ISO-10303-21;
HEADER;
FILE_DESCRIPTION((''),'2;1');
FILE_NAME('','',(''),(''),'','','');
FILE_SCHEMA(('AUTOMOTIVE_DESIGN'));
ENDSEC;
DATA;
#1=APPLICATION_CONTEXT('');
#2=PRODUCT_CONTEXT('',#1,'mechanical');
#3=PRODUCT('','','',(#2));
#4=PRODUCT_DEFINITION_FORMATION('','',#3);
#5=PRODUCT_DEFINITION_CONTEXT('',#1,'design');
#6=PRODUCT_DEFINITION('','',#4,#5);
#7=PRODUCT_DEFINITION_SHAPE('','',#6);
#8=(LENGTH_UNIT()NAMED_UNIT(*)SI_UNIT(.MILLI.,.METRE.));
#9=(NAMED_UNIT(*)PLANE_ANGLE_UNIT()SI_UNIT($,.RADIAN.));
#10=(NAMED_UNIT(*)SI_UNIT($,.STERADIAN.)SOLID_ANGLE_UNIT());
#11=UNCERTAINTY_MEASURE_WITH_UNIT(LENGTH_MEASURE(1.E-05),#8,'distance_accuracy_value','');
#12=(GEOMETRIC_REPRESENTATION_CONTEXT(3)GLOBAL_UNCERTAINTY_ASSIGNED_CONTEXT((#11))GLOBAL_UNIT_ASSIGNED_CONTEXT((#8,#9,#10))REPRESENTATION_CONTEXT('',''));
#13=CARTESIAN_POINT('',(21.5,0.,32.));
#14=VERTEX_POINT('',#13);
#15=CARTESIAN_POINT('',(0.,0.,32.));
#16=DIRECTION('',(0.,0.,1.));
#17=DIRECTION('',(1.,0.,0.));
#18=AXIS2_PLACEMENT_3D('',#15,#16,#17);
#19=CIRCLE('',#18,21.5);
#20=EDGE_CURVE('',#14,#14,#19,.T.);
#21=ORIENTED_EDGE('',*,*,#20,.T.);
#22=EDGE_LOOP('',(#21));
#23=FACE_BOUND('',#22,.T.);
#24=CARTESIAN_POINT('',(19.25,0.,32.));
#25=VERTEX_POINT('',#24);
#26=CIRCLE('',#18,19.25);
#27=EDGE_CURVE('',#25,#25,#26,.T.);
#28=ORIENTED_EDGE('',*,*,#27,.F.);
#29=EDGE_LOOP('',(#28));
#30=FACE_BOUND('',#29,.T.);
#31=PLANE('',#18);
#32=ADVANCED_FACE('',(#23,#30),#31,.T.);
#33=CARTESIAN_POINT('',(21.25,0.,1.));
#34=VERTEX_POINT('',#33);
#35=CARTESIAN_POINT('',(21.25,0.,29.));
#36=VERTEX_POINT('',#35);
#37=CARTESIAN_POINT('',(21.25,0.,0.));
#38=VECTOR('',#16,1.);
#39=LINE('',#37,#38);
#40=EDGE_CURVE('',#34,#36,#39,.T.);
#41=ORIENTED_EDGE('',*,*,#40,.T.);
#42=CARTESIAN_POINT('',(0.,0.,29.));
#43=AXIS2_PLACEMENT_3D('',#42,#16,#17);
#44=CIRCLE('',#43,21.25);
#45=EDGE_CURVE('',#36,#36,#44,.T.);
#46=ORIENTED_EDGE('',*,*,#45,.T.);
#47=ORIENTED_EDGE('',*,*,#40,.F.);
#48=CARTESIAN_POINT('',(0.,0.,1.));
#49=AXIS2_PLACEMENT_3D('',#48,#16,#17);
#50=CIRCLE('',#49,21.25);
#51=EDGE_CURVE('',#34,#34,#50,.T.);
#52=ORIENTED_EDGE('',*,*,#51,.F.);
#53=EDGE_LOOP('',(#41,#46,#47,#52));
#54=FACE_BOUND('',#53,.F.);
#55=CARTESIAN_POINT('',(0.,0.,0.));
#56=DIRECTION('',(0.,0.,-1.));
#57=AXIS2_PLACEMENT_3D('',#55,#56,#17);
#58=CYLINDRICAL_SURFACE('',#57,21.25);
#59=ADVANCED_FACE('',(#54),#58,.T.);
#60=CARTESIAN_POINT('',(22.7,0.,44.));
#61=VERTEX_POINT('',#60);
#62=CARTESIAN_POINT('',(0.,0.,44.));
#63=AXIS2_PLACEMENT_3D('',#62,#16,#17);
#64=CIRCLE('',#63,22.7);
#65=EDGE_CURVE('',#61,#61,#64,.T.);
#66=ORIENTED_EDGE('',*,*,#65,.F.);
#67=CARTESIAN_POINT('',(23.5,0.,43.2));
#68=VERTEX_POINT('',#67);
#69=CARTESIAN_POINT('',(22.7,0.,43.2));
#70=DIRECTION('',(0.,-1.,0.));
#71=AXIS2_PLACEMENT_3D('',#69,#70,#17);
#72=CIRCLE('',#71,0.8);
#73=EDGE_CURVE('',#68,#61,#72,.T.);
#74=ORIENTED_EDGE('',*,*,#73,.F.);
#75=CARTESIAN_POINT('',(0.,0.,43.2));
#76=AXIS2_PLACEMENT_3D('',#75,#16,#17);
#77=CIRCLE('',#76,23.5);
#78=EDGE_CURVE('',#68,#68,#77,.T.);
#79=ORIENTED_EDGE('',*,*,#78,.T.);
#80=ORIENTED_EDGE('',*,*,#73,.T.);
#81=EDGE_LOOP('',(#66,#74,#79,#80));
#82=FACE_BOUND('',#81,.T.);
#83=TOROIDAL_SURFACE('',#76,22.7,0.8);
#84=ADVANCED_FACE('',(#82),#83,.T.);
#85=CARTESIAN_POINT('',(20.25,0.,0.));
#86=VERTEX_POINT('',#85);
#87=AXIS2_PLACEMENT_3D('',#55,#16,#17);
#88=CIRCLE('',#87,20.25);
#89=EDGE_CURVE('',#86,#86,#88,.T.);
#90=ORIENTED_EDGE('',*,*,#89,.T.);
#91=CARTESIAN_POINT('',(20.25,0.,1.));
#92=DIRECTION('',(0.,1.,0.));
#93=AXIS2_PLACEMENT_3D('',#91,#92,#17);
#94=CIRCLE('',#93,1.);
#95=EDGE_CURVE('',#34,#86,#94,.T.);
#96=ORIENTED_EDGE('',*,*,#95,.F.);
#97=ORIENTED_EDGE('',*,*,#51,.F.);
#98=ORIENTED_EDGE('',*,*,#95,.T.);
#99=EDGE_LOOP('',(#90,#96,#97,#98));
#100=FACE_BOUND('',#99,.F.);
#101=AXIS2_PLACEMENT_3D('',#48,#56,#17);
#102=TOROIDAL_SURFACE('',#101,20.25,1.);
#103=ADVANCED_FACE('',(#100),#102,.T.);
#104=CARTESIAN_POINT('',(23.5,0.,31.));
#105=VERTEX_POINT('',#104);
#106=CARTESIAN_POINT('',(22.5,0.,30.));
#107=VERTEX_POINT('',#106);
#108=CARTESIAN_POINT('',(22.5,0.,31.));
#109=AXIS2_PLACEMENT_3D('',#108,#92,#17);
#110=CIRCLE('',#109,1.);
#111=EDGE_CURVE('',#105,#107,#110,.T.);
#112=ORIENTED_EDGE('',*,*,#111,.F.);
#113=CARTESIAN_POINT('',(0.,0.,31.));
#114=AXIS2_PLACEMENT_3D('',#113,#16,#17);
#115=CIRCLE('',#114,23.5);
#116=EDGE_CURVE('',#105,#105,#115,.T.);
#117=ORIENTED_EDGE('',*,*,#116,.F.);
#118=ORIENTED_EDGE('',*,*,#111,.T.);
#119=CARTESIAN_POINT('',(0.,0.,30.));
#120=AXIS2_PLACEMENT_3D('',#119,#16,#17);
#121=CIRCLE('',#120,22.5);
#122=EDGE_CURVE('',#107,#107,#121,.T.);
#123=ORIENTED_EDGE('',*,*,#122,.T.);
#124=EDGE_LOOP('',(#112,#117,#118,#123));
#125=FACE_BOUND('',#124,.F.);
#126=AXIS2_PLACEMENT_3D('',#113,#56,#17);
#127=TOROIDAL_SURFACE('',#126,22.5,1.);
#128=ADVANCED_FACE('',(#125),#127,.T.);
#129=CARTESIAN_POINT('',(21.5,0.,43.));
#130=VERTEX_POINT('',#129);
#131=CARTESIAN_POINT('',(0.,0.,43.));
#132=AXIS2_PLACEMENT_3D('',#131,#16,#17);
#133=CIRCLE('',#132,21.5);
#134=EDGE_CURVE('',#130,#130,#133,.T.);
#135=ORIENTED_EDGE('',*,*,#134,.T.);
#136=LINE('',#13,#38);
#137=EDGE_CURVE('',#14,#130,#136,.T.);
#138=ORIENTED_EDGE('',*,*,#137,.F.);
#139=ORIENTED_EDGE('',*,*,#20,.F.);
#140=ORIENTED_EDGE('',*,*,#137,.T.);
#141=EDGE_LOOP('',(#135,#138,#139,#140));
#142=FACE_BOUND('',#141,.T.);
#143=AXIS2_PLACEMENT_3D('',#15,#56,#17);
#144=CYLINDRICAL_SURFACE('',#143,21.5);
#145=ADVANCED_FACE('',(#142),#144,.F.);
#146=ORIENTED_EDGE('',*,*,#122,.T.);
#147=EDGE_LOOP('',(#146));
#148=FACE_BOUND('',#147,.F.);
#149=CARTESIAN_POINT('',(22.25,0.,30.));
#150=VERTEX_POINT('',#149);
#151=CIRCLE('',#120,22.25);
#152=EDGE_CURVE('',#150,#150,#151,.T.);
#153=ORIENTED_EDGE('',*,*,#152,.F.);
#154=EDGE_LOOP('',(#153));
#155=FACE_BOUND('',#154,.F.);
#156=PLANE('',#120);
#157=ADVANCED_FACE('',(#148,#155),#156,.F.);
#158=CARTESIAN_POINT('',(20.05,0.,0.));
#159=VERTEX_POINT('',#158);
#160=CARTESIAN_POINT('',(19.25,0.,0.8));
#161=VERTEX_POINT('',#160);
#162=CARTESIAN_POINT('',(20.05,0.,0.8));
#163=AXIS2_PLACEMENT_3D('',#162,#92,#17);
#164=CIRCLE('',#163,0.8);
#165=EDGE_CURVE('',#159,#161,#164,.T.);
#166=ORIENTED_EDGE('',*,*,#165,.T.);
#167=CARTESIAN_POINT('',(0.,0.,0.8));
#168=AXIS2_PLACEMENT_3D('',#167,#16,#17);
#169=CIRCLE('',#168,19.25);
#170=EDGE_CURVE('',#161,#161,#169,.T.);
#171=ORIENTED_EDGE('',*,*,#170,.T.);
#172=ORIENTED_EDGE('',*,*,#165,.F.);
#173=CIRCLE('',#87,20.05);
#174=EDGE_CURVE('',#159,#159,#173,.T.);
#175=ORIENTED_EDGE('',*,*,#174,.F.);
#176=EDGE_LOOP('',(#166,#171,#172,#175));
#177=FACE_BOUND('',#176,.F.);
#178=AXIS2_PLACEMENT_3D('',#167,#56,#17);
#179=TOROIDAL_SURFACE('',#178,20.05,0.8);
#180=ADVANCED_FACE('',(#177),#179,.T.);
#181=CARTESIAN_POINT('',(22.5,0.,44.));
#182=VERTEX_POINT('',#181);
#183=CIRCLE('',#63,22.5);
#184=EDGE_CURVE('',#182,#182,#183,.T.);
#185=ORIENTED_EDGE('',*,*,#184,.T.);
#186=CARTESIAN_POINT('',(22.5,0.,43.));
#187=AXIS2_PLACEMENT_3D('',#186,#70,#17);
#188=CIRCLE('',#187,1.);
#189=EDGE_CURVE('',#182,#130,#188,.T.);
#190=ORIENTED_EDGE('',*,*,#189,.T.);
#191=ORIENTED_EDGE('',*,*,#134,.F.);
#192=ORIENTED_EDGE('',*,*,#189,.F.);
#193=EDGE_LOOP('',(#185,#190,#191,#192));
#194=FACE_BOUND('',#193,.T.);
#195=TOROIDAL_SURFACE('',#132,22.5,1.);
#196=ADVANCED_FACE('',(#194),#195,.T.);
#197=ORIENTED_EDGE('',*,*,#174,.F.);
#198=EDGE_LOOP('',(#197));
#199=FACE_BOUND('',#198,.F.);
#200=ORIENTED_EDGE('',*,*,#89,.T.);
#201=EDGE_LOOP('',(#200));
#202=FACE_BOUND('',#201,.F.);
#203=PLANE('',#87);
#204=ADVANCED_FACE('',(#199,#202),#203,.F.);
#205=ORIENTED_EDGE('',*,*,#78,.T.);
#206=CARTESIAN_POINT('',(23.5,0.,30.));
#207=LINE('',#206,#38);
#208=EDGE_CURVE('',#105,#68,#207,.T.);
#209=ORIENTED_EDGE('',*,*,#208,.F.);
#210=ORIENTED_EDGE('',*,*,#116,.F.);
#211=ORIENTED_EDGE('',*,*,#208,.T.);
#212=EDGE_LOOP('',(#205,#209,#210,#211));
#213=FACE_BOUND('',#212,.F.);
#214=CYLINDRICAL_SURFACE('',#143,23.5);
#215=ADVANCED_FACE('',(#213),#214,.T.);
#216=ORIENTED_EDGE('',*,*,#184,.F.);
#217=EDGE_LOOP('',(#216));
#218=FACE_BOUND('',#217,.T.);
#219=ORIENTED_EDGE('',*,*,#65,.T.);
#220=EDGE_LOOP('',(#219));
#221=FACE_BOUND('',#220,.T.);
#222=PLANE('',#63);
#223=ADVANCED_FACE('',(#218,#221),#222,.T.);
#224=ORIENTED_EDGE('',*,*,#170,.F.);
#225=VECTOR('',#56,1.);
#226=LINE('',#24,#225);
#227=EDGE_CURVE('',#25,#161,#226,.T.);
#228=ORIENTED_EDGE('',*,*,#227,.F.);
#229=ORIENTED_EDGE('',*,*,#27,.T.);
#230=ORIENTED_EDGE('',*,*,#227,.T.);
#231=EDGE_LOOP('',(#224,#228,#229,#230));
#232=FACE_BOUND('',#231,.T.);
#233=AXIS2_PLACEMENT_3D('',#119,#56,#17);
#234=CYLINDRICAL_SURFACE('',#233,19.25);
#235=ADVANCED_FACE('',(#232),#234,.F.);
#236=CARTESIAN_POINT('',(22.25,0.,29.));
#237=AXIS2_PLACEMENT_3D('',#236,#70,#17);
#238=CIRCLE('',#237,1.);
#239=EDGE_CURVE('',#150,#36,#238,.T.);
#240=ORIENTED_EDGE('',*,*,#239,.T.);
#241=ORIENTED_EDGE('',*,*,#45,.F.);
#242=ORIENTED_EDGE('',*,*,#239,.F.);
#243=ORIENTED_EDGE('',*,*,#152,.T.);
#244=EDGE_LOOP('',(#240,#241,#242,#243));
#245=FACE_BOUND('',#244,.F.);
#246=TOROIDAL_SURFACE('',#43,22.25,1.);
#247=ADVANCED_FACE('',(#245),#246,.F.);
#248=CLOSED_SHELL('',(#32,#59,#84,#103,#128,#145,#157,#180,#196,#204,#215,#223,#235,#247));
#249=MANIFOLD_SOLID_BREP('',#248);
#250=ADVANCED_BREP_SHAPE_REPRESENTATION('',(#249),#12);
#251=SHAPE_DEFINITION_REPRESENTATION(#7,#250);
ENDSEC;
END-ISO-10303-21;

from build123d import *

# Parameters (mm, degrees)
SKETCH_R      = 21.25
SKETCH_R_2    = 19.25
PAD_DEPTH     = 30
SKETCH001_R   = 23.5
SKETCH001_R_2 = 19.25
PAD001_DEPTH  = 2
SKETCH002_R   = 23.5
SKETCH002_R_2 = 21.5
PAD002_DEPTH  = 12
FILLET_R      = 0.8
FILLET001_R   = 1
FILLET002_R   = 1
FILLET003_R   = 1
FILLET004_R   = 1
FILLET005_R   = 0.8


with BuildPart() as part:
    # Sketch → Pad (new body)
    with BuildSketch(Plane.XY):
        Circle(SKETCH_R)
        Circle(SKETCH_R_2, mode=Mode.SUBTRACT)
    extrude(amount=PAD_DEPTH)

    # Sketch001 (on Face4 of Pad) → Pad001 (join)
    with BuildSketch(Plane.XY.offset(30)):
        Circle(SKETCH001_R)
        Circle(SKETCH001_R_2, mode=Mode.SUBTRACT)
    extrude(amount=PAD001_DEPTH)

    # Sketch002 (on Face7 of Pad001) → Pad002 (join)
    with BuildSketch(Plane.XY.offset(32)):
        Circle(SKETCH002_R)
        Circle(SKETCH002_R_2, mode=Mode.SUBTRACT)
    extrude(amount=PAD002_DEPTH)

    # Fillet
    fillet_edges = [part.edges().sort_by_distance(p)[0] for p in [
        (-23.5, 0, 44),
    ]]
    fillet(fillet_edges, radius=FILLET_R)

    # Fillet001
    fillet001_edges = [part.edges().sort_by_distance(p)[0] for p in [
        (-21.5, 0, 44),
    ]]
    fillet(fillet001_edges, radius=FILLET001_R)

    # Fillet002
    fillet002_edges = [part.edges().sort_by_distance(p)[0] for p in [
        (-23.5, 0, 30),
    ]]
    fillet(fillet002_edges, radius=FILLET002_R)

    # Fillet003
    fillet003_edges = [part.edges().sort_by_distance(p)[0] for p in [
        (-21.25, 0, 30),
    ]]
    fillet(fillet003_edges, radius=FILLET003_R)

    # Fillet004
    fillet004_edges = [part.edges().sort_by_distance(p)[0] for p in [
        (-21.25, 0, 0),
    ]]
    fillet(fillet004_edges, radius=FILLET004_R)

    # Fillet005
    fillet005_edges = [part.edges().sort_by_distance(p)[0] for p in [
        (-20.25, 0, 0),
        (-19.25, 0, 0),
    ]]
    fillet(fillet005_edges, radius=FILLET005_R)


solid = part.part
